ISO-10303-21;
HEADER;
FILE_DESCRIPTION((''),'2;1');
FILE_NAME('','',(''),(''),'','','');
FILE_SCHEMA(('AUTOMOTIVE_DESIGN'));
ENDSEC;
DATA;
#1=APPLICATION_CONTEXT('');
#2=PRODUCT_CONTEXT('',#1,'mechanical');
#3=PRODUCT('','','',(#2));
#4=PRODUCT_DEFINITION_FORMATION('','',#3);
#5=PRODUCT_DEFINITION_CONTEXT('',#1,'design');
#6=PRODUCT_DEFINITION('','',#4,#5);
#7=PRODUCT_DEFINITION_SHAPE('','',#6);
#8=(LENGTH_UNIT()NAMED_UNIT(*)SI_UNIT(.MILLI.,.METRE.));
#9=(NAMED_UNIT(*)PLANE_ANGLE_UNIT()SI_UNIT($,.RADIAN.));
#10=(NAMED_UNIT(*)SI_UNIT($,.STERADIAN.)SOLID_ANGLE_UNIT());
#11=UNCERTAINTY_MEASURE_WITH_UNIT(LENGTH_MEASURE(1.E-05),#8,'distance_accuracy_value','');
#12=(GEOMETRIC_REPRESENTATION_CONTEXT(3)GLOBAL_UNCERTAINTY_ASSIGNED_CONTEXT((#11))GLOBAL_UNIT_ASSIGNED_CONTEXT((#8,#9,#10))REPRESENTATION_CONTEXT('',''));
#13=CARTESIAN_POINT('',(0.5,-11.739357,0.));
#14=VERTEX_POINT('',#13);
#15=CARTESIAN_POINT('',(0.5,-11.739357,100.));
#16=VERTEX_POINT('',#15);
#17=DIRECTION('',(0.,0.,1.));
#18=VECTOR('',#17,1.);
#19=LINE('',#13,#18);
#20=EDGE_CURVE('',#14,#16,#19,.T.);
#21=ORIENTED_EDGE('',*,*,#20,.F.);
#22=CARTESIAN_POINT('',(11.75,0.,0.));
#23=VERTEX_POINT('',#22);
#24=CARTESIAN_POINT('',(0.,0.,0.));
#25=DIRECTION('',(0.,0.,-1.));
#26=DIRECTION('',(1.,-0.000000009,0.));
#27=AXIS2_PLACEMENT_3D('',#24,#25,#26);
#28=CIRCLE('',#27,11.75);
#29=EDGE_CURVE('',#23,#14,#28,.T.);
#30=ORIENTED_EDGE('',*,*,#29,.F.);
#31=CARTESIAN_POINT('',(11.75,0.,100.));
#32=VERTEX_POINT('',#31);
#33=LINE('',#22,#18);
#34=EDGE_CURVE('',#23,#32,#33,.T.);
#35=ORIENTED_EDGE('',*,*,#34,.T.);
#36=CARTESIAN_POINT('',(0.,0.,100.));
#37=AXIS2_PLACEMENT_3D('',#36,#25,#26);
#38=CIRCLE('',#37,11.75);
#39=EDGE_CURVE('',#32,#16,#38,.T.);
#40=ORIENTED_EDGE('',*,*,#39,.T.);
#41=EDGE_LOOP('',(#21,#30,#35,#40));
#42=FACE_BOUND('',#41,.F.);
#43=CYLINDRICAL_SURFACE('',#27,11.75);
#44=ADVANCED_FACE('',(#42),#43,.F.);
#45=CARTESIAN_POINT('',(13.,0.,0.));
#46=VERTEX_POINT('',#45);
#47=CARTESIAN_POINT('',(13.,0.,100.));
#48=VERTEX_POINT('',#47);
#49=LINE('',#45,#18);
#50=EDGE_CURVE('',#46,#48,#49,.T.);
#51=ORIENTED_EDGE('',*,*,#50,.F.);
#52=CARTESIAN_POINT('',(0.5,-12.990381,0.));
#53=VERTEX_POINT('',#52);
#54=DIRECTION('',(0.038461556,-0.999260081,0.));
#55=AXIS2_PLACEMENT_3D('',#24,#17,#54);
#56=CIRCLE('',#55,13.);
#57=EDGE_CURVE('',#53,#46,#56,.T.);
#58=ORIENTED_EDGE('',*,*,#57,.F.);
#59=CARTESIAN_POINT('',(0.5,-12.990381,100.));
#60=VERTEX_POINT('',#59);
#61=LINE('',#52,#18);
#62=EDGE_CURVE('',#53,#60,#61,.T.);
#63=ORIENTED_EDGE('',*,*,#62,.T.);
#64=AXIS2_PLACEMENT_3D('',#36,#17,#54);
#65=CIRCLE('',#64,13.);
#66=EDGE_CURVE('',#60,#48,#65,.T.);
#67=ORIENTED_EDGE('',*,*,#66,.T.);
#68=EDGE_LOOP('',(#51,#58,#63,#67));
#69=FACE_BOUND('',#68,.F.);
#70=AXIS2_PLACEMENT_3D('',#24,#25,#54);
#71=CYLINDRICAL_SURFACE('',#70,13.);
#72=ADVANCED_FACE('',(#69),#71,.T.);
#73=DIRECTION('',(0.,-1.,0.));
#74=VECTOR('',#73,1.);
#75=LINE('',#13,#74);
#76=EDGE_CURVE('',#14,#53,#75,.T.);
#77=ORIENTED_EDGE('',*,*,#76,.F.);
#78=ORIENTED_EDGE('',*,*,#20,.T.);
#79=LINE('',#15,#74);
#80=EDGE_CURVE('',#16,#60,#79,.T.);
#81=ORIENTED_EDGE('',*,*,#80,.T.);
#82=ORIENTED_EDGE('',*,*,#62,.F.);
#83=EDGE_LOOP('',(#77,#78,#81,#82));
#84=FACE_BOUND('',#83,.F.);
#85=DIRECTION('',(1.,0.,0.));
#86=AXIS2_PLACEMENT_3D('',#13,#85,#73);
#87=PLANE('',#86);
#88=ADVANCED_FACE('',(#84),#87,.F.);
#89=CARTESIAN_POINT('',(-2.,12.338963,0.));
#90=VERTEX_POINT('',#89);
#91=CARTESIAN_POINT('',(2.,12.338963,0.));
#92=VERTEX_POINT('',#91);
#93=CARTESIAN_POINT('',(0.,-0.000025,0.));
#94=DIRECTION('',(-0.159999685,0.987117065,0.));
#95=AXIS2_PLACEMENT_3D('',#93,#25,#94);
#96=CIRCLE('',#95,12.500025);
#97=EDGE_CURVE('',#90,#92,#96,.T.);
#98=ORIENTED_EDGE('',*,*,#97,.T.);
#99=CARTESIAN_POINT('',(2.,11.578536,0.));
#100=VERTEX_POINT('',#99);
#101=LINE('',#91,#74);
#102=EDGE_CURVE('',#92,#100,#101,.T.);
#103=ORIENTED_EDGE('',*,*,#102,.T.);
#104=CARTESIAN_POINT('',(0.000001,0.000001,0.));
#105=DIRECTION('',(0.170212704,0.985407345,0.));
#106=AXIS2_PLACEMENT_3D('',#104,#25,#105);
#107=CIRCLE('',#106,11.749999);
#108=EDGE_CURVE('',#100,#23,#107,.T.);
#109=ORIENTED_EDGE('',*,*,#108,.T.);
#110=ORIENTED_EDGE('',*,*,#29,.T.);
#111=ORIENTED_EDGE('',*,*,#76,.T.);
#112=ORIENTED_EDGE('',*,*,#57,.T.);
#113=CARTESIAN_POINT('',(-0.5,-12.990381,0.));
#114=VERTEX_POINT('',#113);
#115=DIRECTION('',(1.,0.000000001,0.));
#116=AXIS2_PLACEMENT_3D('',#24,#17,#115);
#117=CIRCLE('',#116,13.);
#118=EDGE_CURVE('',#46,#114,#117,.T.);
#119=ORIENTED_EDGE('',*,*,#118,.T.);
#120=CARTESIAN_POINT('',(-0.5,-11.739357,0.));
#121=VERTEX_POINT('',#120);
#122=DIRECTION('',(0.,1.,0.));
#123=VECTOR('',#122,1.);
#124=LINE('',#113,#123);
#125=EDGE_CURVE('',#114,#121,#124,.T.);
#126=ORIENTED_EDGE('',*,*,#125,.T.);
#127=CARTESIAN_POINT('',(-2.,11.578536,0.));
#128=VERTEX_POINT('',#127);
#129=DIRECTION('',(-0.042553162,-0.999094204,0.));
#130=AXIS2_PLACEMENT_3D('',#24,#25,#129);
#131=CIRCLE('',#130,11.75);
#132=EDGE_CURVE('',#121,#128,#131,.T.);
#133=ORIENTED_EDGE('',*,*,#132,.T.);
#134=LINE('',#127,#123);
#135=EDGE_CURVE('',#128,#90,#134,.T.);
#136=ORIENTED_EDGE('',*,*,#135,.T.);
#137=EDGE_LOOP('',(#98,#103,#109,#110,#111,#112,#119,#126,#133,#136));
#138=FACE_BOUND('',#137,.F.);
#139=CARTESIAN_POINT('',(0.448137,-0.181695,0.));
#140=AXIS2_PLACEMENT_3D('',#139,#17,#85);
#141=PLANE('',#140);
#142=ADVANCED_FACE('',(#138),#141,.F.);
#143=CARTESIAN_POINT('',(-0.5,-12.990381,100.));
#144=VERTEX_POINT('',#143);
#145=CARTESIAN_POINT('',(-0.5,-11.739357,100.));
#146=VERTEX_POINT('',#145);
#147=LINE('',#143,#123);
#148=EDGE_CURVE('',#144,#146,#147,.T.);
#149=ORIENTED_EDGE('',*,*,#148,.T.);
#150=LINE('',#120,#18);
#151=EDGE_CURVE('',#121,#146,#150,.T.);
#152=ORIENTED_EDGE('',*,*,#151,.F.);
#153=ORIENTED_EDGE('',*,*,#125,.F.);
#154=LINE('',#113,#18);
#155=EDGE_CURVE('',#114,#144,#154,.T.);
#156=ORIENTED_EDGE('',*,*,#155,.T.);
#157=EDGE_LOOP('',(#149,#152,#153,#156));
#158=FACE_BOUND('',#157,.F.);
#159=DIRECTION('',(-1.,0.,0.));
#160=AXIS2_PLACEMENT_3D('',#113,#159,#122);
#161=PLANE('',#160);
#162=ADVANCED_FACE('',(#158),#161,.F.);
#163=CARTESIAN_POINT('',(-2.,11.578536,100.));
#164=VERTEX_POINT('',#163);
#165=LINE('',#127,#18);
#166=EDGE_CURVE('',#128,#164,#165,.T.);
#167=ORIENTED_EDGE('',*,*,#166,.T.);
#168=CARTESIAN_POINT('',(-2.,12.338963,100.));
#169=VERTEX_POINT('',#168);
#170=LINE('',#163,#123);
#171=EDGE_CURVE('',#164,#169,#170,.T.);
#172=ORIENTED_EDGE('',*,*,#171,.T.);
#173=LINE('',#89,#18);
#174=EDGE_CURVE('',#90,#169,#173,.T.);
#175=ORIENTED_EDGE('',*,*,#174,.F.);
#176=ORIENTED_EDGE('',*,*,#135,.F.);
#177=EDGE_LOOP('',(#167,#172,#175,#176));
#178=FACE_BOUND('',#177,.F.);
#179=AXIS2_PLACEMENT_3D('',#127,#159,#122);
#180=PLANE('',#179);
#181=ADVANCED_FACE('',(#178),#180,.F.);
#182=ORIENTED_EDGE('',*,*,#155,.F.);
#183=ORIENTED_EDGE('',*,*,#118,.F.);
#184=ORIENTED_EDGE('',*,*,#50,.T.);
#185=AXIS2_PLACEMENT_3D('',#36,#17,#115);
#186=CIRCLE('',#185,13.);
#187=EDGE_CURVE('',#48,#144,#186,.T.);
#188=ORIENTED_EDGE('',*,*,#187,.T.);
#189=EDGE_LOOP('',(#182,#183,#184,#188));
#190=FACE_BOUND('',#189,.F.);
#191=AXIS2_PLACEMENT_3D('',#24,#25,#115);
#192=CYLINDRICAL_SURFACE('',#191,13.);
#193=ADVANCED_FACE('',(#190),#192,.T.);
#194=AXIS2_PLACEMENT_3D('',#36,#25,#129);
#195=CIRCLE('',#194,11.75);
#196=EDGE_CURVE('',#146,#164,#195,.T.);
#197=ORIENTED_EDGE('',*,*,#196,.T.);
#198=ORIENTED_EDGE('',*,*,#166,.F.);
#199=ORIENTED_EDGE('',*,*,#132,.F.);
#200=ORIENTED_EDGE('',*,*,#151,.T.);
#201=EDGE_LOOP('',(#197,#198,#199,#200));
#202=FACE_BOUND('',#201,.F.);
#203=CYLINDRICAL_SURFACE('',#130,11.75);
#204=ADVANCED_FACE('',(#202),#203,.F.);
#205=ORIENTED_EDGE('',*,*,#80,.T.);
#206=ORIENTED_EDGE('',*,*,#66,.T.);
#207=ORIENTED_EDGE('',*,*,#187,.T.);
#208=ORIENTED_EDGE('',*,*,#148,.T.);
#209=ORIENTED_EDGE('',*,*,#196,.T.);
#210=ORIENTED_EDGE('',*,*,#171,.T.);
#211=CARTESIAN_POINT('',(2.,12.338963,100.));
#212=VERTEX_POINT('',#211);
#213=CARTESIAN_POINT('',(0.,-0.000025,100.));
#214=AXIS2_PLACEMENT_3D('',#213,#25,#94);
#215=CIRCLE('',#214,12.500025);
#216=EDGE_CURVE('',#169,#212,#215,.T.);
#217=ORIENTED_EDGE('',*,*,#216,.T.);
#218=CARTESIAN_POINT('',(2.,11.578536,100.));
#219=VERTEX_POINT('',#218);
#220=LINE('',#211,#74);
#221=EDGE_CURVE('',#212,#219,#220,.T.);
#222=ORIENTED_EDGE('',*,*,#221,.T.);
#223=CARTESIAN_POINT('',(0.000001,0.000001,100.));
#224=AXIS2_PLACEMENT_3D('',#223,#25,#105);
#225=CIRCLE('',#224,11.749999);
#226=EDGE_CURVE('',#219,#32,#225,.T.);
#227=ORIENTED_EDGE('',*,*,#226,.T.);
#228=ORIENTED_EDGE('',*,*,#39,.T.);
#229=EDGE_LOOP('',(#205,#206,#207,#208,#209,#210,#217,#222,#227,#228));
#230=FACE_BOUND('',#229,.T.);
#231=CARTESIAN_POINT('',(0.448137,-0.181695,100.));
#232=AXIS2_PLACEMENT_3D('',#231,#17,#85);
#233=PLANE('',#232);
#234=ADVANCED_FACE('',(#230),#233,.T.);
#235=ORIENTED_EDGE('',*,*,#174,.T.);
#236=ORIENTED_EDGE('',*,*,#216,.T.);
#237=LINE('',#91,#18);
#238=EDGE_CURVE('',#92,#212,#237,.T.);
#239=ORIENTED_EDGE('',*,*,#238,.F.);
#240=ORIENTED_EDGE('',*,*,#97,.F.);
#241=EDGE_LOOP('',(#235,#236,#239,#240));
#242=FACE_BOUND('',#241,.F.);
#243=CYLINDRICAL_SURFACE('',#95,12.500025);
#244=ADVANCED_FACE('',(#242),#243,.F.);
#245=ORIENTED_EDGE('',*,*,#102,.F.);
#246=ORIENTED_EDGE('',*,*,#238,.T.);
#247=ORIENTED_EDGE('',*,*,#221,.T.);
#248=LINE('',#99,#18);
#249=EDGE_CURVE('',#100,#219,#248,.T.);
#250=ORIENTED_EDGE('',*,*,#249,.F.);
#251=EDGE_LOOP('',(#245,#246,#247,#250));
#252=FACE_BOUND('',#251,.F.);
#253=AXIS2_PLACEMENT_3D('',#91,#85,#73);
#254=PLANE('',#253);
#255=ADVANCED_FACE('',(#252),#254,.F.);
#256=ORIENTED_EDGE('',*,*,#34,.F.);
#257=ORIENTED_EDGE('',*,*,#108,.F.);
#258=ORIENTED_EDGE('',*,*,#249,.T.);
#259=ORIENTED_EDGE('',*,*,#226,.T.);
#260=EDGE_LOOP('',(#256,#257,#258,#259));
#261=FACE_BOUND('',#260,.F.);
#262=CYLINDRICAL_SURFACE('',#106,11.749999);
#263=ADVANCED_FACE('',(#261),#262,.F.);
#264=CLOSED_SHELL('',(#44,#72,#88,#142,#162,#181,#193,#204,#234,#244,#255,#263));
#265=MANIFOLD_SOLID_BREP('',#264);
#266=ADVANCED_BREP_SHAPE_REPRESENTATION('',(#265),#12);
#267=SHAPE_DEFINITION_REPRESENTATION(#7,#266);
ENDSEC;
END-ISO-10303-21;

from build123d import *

# Parameters (mm, degrees)
F1_DEPTH = 100


with BuildPart() as f1:
    # F0 (on Top) → F1 (new body)
    with BuildSketch(Plane.XY):
        with BuildLine():
            ThreePointArc((2, 11.578536), (8.987839, 7.568438), (11.75, 0))
            ThreePointArc((11.75, 0), (8.48344, -8.129806), (0.5, -11.739357))
            Line((0.5, -11.739357), (0.5, -12.990381))
            ThreePointArc((0.5, -12.990381), (9.367497, -9.013878), (13, 0))
            ThreePointArc((13, 0), (-9.013878, 9.367497), (-0.5, -12.990381))
            Line((-0.5, -12.990381), (-0.5, -11.739357))
            ThreePointArc((-0.5, -11.739357), (-11.725764, -0.754298), (-2, 11.578536))
            Line((-2, 11.578536), (-2, 12.338963))
            ThreePointArc((-2, 12.338963), (0, 12.5), (2, 12.338963))
            Line((2, 12.338963), (2, 11.578536))
        make_face()
    extrude(amount=F1_DEPTH)


solid = f1.part
